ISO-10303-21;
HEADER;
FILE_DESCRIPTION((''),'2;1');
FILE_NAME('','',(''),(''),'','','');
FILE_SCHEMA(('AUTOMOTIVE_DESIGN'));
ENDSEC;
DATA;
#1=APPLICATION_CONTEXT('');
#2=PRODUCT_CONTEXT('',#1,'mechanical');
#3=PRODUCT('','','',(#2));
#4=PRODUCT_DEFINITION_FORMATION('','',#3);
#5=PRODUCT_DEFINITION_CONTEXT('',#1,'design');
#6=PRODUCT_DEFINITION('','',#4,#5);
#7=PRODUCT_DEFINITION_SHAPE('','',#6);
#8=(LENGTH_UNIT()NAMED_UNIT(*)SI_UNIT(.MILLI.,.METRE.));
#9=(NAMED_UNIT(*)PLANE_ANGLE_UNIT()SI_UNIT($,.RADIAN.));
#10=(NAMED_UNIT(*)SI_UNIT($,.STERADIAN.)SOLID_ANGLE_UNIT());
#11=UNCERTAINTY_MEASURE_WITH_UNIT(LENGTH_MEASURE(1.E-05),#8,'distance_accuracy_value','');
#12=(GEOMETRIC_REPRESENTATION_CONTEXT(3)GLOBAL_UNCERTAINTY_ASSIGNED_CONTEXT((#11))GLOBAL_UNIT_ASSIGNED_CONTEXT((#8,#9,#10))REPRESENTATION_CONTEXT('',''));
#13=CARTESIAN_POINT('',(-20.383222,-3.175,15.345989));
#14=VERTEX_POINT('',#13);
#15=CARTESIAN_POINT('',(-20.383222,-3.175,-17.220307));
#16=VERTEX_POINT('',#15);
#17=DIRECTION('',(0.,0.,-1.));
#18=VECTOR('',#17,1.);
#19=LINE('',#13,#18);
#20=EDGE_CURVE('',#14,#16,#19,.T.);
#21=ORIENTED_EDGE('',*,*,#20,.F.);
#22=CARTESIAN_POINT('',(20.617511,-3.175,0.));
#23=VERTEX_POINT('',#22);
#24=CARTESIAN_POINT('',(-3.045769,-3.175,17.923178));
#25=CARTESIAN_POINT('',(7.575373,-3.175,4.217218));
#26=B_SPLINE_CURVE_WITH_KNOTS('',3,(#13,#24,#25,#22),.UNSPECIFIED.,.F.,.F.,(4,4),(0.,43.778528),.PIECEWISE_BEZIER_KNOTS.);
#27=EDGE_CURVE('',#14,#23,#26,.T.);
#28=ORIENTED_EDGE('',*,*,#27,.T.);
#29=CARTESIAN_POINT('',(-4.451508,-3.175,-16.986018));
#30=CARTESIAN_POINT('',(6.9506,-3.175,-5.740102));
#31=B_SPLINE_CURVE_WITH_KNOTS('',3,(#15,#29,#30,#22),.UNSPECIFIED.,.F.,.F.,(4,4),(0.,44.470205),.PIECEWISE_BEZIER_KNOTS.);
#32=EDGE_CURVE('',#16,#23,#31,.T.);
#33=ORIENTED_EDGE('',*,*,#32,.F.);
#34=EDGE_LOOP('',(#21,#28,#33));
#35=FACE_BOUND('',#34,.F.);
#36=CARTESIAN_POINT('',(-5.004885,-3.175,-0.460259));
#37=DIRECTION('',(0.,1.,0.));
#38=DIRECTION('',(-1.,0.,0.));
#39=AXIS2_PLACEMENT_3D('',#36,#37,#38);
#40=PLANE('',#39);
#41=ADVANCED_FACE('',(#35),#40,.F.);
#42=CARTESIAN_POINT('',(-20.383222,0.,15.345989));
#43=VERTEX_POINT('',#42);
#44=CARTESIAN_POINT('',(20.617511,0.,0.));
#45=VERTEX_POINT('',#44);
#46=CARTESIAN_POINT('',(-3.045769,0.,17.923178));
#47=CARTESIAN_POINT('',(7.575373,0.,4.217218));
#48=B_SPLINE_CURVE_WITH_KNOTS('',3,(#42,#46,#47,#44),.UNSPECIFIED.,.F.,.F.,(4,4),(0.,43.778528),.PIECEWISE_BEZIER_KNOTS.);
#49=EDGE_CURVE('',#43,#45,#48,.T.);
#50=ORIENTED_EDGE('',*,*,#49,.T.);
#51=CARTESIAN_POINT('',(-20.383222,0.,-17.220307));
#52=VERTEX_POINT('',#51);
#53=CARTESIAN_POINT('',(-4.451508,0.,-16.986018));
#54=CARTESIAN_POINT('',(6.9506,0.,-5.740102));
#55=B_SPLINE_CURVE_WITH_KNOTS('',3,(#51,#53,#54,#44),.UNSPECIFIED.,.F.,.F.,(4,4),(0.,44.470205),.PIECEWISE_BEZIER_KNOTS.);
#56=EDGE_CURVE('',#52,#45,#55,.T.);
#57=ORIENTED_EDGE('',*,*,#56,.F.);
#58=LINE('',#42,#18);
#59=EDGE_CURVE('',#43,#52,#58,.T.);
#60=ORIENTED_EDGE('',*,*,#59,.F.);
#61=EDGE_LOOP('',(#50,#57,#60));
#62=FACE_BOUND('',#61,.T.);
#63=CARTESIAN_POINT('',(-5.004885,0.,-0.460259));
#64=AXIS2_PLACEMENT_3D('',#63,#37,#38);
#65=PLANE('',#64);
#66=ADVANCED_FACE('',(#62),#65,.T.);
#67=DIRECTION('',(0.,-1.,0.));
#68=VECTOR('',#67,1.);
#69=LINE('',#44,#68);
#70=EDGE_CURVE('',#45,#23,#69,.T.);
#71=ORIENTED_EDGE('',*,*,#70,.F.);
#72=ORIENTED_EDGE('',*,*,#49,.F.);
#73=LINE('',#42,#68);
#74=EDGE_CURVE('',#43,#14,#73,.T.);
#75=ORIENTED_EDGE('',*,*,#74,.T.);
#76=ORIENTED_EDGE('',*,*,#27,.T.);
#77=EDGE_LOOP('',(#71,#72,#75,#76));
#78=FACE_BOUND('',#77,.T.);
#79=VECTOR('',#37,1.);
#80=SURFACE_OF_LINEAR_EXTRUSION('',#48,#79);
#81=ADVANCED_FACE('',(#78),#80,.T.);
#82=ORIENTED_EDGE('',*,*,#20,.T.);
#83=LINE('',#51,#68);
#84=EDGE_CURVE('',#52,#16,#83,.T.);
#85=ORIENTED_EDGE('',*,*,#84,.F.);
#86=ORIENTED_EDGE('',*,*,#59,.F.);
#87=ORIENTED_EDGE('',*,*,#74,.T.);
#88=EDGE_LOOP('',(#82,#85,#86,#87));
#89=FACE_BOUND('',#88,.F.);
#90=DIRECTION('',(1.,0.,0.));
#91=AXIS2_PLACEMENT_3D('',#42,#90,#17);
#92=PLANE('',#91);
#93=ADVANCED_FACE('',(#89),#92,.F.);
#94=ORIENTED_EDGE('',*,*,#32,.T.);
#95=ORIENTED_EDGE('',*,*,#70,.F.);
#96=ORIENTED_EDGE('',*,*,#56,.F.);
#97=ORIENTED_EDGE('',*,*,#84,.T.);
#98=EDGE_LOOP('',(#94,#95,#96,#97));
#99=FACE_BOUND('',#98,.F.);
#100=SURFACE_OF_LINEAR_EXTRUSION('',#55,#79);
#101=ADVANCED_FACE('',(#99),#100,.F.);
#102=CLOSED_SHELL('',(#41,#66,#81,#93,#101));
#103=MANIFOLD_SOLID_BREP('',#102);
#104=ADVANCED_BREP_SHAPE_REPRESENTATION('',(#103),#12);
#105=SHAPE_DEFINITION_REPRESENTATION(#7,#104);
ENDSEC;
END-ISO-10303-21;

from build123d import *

# Parameters (mm, degrees)
F1_DEPTH = 3.175


with BuildPart() as f1:
    # F0 (on Front) → F1 (new body)
    with BuildSketch(Plane.XZ):
        with BuildLine():
            add(Edge.make_bspline(
                [(-20.383222, 15.345989), (-3.045769, 17.923178), (7.575373, 4.217218), (20.617511, 0)],
                knots=[0, 0, 0, 0, 43.778528, 43.778528, 43.778528, 43.778528], degree=3))
            Line((-20.383222, 15.345989), (-20.383222, -17.220307))
            add(Edge.make_bspline(
                [(-20.383222, -17.220307), (-4.451508, -16.986018), (6.9506, -5.740102), (20.617511, 0)],
                knots=[0, 0, 0, 0, 44.470205, 44.470205, 44.470205, 44.470205], degree=3))
        make_face()
    extrude(amount=F1_DEPTH)


solid = f1.part
